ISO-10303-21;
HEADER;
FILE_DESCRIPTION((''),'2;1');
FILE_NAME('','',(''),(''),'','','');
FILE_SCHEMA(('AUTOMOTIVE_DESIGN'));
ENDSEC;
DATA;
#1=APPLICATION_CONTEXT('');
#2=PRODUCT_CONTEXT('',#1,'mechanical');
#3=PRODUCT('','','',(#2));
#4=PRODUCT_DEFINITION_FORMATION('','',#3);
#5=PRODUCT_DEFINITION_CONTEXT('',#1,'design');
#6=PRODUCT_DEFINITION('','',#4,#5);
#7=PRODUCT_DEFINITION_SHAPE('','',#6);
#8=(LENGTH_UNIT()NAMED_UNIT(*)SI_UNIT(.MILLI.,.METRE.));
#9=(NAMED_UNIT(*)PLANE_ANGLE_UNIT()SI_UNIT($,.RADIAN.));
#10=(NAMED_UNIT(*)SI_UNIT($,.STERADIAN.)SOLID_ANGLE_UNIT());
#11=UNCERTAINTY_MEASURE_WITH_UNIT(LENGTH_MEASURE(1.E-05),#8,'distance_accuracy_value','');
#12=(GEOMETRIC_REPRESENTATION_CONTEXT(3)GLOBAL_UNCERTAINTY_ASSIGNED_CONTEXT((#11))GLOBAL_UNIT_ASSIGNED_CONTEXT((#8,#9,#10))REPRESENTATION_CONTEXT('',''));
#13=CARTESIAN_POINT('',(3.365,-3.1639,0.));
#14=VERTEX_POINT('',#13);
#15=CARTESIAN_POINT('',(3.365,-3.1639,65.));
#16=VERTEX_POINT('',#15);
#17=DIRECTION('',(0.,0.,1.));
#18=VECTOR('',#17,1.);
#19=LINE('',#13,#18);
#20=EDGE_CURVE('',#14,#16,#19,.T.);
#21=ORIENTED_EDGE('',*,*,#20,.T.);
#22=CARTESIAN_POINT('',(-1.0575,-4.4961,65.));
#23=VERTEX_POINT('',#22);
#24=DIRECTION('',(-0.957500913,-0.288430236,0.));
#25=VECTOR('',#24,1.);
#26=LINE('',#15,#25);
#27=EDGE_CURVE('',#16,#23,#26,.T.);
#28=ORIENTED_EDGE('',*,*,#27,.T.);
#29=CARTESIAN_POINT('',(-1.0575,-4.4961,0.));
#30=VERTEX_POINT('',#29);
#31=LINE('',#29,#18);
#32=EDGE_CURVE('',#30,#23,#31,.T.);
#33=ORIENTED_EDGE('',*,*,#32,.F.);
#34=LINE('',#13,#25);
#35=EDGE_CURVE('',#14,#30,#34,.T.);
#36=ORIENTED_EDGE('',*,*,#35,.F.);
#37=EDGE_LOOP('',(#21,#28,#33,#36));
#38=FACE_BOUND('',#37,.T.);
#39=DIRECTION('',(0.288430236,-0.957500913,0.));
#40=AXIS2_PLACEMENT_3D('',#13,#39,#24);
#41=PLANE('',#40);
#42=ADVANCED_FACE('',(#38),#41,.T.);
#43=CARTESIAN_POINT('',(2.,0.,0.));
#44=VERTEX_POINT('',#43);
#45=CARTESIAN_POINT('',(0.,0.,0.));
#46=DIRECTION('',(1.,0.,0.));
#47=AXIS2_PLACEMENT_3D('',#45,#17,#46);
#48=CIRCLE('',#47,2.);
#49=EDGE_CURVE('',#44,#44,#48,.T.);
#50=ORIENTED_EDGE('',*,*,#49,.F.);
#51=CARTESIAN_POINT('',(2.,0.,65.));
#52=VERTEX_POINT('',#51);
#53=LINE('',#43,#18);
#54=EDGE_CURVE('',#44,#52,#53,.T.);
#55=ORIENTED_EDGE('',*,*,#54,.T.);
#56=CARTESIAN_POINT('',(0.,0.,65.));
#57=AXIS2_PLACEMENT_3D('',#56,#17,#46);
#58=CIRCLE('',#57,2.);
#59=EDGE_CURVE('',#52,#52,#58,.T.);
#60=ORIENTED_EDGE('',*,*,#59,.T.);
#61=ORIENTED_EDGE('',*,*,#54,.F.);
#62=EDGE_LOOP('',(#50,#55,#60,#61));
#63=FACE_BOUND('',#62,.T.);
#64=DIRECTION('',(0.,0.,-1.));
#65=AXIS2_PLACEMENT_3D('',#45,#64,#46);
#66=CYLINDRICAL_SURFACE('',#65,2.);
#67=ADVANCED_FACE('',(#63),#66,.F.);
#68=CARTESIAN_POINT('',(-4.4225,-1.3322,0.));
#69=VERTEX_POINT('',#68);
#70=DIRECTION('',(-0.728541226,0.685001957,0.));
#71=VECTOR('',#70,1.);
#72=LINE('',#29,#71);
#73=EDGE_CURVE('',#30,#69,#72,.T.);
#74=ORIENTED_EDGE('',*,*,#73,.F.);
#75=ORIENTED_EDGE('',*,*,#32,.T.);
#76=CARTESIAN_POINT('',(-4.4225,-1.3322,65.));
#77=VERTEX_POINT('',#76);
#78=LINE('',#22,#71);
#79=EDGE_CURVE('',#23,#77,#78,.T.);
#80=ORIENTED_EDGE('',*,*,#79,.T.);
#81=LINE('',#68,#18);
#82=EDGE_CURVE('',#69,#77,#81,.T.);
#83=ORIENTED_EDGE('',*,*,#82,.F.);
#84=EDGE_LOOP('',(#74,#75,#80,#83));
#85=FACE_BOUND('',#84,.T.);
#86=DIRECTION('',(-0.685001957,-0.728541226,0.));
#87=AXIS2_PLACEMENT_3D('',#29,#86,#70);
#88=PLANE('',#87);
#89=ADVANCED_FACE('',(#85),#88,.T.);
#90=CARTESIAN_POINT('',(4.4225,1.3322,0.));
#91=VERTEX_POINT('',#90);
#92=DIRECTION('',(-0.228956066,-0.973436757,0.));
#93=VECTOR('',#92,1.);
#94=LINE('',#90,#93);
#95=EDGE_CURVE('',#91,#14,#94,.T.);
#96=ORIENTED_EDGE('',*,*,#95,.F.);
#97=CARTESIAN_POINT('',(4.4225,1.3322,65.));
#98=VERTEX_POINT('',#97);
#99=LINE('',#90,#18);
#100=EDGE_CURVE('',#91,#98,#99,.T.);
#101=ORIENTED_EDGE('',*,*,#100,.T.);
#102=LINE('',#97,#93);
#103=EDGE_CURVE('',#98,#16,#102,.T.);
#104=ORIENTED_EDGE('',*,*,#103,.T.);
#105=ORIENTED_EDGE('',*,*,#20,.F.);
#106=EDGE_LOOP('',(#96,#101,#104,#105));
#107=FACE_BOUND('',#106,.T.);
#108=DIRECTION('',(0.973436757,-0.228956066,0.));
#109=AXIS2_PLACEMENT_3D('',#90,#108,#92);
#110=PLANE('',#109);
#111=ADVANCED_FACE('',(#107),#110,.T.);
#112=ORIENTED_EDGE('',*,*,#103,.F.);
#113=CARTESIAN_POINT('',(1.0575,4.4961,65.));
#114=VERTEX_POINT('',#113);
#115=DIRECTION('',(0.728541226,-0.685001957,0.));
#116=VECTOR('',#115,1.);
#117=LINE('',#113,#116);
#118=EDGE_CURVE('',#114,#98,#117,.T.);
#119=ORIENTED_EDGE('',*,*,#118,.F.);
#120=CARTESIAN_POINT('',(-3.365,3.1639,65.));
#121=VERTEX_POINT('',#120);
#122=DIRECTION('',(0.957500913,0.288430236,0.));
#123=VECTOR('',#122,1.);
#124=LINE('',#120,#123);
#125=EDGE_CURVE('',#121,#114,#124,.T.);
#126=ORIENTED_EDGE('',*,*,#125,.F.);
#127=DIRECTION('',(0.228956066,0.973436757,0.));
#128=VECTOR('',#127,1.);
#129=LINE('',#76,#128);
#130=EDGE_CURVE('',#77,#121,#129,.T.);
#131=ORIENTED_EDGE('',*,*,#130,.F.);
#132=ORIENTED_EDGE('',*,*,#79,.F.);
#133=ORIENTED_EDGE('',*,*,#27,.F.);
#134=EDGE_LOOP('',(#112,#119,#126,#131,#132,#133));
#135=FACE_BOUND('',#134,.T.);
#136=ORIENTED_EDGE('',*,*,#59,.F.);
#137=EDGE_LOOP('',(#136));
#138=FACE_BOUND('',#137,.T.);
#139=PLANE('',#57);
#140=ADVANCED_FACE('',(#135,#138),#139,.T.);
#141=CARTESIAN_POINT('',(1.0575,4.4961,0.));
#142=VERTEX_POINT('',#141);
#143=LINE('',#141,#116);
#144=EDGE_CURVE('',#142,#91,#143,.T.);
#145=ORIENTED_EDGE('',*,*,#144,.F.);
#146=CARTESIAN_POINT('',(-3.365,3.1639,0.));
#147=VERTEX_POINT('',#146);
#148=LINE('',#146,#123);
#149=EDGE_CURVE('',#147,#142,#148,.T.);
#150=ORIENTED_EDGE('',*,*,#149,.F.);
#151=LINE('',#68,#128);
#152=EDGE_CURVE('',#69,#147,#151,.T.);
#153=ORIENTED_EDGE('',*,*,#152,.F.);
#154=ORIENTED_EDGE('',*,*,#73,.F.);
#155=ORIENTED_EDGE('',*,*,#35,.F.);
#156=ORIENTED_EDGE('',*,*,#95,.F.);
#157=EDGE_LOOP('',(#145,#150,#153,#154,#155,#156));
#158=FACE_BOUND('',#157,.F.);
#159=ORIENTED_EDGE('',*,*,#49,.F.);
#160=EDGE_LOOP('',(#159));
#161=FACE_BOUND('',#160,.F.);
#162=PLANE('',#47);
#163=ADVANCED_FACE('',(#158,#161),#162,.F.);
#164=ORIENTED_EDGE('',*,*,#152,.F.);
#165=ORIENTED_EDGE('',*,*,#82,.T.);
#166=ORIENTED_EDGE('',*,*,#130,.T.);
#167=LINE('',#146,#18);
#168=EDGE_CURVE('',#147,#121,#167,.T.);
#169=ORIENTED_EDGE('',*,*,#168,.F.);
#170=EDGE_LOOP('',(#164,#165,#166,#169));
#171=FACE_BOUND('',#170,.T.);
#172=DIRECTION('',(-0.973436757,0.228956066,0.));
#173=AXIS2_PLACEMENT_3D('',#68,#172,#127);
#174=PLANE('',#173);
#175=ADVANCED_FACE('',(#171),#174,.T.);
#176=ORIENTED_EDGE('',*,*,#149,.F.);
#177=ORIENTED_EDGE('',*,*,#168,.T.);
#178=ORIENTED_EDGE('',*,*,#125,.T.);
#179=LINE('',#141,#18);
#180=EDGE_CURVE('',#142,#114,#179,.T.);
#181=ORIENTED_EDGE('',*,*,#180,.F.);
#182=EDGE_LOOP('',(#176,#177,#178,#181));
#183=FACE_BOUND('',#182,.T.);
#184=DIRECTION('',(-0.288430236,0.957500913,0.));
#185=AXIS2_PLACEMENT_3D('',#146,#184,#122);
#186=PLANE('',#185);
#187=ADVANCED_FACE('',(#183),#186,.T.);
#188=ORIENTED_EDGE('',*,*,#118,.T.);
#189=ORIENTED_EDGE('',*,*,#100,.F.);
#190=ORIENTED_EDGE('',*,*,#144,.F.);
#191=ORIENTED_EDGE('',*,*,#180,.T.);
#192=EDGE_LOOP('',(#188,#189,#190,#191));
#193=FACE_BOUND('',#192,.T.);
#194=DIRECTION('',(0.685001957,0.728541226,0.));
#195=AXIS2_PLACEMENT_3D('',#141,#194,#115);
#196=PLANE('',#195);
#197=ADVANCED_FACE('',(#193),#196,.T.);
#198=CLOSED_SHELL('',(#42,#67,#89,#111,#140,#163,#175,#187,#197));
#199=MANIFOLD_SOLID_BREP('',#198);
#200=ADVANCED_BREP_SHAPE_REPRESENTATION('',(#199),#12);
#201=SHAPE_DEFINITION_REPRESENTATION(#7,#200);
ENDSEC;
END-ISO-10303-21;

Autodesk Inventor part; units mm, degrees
ref_plane "YZ Plane" through (0, 0, 0) normal (1, 0, 0) x (0, 1, 0)
ref_plane "XZ Plane" through (0, 0, 0) normal (0, 1, 0) x (-1, 0, 0)
ref_plane "XY Plane" through (0, 0, 0) normal (0, 0, 1) x (1, 0, 0)
sketch "Эскиз1" plane through (0, 0, 0) normal (0, 0, 1) x (1, 0, 0)
  line L0 (4.4225, 1.3322) -> (3.365, -3.1639)
  line L1 (3.365, -3.1639) -> (-1.0575, -4.4961)
  line L2 (-1.0575, -4.4961) -> (-4.4225, -1.3322)
  line L3 (-4.4225, -1.3322) -> (-3.365, 3.1639)
  line L4 (-3.365, 3.1639) -> (1.0575, 4.4961)
  line L5 (1.0575, 4.4961) -> (4.4225, 1.3322)
  circle A0 centre (0, 0) radius 2
  point P0 (-1.1537, 3.83)
  dimension "d0" = 8
  dimension "d1" = 7.66
  dimension "d2" = 4
extrude "Выдавливание1" add sketch "Эскиз1" along normal blind 65
properties part number "стойка"
